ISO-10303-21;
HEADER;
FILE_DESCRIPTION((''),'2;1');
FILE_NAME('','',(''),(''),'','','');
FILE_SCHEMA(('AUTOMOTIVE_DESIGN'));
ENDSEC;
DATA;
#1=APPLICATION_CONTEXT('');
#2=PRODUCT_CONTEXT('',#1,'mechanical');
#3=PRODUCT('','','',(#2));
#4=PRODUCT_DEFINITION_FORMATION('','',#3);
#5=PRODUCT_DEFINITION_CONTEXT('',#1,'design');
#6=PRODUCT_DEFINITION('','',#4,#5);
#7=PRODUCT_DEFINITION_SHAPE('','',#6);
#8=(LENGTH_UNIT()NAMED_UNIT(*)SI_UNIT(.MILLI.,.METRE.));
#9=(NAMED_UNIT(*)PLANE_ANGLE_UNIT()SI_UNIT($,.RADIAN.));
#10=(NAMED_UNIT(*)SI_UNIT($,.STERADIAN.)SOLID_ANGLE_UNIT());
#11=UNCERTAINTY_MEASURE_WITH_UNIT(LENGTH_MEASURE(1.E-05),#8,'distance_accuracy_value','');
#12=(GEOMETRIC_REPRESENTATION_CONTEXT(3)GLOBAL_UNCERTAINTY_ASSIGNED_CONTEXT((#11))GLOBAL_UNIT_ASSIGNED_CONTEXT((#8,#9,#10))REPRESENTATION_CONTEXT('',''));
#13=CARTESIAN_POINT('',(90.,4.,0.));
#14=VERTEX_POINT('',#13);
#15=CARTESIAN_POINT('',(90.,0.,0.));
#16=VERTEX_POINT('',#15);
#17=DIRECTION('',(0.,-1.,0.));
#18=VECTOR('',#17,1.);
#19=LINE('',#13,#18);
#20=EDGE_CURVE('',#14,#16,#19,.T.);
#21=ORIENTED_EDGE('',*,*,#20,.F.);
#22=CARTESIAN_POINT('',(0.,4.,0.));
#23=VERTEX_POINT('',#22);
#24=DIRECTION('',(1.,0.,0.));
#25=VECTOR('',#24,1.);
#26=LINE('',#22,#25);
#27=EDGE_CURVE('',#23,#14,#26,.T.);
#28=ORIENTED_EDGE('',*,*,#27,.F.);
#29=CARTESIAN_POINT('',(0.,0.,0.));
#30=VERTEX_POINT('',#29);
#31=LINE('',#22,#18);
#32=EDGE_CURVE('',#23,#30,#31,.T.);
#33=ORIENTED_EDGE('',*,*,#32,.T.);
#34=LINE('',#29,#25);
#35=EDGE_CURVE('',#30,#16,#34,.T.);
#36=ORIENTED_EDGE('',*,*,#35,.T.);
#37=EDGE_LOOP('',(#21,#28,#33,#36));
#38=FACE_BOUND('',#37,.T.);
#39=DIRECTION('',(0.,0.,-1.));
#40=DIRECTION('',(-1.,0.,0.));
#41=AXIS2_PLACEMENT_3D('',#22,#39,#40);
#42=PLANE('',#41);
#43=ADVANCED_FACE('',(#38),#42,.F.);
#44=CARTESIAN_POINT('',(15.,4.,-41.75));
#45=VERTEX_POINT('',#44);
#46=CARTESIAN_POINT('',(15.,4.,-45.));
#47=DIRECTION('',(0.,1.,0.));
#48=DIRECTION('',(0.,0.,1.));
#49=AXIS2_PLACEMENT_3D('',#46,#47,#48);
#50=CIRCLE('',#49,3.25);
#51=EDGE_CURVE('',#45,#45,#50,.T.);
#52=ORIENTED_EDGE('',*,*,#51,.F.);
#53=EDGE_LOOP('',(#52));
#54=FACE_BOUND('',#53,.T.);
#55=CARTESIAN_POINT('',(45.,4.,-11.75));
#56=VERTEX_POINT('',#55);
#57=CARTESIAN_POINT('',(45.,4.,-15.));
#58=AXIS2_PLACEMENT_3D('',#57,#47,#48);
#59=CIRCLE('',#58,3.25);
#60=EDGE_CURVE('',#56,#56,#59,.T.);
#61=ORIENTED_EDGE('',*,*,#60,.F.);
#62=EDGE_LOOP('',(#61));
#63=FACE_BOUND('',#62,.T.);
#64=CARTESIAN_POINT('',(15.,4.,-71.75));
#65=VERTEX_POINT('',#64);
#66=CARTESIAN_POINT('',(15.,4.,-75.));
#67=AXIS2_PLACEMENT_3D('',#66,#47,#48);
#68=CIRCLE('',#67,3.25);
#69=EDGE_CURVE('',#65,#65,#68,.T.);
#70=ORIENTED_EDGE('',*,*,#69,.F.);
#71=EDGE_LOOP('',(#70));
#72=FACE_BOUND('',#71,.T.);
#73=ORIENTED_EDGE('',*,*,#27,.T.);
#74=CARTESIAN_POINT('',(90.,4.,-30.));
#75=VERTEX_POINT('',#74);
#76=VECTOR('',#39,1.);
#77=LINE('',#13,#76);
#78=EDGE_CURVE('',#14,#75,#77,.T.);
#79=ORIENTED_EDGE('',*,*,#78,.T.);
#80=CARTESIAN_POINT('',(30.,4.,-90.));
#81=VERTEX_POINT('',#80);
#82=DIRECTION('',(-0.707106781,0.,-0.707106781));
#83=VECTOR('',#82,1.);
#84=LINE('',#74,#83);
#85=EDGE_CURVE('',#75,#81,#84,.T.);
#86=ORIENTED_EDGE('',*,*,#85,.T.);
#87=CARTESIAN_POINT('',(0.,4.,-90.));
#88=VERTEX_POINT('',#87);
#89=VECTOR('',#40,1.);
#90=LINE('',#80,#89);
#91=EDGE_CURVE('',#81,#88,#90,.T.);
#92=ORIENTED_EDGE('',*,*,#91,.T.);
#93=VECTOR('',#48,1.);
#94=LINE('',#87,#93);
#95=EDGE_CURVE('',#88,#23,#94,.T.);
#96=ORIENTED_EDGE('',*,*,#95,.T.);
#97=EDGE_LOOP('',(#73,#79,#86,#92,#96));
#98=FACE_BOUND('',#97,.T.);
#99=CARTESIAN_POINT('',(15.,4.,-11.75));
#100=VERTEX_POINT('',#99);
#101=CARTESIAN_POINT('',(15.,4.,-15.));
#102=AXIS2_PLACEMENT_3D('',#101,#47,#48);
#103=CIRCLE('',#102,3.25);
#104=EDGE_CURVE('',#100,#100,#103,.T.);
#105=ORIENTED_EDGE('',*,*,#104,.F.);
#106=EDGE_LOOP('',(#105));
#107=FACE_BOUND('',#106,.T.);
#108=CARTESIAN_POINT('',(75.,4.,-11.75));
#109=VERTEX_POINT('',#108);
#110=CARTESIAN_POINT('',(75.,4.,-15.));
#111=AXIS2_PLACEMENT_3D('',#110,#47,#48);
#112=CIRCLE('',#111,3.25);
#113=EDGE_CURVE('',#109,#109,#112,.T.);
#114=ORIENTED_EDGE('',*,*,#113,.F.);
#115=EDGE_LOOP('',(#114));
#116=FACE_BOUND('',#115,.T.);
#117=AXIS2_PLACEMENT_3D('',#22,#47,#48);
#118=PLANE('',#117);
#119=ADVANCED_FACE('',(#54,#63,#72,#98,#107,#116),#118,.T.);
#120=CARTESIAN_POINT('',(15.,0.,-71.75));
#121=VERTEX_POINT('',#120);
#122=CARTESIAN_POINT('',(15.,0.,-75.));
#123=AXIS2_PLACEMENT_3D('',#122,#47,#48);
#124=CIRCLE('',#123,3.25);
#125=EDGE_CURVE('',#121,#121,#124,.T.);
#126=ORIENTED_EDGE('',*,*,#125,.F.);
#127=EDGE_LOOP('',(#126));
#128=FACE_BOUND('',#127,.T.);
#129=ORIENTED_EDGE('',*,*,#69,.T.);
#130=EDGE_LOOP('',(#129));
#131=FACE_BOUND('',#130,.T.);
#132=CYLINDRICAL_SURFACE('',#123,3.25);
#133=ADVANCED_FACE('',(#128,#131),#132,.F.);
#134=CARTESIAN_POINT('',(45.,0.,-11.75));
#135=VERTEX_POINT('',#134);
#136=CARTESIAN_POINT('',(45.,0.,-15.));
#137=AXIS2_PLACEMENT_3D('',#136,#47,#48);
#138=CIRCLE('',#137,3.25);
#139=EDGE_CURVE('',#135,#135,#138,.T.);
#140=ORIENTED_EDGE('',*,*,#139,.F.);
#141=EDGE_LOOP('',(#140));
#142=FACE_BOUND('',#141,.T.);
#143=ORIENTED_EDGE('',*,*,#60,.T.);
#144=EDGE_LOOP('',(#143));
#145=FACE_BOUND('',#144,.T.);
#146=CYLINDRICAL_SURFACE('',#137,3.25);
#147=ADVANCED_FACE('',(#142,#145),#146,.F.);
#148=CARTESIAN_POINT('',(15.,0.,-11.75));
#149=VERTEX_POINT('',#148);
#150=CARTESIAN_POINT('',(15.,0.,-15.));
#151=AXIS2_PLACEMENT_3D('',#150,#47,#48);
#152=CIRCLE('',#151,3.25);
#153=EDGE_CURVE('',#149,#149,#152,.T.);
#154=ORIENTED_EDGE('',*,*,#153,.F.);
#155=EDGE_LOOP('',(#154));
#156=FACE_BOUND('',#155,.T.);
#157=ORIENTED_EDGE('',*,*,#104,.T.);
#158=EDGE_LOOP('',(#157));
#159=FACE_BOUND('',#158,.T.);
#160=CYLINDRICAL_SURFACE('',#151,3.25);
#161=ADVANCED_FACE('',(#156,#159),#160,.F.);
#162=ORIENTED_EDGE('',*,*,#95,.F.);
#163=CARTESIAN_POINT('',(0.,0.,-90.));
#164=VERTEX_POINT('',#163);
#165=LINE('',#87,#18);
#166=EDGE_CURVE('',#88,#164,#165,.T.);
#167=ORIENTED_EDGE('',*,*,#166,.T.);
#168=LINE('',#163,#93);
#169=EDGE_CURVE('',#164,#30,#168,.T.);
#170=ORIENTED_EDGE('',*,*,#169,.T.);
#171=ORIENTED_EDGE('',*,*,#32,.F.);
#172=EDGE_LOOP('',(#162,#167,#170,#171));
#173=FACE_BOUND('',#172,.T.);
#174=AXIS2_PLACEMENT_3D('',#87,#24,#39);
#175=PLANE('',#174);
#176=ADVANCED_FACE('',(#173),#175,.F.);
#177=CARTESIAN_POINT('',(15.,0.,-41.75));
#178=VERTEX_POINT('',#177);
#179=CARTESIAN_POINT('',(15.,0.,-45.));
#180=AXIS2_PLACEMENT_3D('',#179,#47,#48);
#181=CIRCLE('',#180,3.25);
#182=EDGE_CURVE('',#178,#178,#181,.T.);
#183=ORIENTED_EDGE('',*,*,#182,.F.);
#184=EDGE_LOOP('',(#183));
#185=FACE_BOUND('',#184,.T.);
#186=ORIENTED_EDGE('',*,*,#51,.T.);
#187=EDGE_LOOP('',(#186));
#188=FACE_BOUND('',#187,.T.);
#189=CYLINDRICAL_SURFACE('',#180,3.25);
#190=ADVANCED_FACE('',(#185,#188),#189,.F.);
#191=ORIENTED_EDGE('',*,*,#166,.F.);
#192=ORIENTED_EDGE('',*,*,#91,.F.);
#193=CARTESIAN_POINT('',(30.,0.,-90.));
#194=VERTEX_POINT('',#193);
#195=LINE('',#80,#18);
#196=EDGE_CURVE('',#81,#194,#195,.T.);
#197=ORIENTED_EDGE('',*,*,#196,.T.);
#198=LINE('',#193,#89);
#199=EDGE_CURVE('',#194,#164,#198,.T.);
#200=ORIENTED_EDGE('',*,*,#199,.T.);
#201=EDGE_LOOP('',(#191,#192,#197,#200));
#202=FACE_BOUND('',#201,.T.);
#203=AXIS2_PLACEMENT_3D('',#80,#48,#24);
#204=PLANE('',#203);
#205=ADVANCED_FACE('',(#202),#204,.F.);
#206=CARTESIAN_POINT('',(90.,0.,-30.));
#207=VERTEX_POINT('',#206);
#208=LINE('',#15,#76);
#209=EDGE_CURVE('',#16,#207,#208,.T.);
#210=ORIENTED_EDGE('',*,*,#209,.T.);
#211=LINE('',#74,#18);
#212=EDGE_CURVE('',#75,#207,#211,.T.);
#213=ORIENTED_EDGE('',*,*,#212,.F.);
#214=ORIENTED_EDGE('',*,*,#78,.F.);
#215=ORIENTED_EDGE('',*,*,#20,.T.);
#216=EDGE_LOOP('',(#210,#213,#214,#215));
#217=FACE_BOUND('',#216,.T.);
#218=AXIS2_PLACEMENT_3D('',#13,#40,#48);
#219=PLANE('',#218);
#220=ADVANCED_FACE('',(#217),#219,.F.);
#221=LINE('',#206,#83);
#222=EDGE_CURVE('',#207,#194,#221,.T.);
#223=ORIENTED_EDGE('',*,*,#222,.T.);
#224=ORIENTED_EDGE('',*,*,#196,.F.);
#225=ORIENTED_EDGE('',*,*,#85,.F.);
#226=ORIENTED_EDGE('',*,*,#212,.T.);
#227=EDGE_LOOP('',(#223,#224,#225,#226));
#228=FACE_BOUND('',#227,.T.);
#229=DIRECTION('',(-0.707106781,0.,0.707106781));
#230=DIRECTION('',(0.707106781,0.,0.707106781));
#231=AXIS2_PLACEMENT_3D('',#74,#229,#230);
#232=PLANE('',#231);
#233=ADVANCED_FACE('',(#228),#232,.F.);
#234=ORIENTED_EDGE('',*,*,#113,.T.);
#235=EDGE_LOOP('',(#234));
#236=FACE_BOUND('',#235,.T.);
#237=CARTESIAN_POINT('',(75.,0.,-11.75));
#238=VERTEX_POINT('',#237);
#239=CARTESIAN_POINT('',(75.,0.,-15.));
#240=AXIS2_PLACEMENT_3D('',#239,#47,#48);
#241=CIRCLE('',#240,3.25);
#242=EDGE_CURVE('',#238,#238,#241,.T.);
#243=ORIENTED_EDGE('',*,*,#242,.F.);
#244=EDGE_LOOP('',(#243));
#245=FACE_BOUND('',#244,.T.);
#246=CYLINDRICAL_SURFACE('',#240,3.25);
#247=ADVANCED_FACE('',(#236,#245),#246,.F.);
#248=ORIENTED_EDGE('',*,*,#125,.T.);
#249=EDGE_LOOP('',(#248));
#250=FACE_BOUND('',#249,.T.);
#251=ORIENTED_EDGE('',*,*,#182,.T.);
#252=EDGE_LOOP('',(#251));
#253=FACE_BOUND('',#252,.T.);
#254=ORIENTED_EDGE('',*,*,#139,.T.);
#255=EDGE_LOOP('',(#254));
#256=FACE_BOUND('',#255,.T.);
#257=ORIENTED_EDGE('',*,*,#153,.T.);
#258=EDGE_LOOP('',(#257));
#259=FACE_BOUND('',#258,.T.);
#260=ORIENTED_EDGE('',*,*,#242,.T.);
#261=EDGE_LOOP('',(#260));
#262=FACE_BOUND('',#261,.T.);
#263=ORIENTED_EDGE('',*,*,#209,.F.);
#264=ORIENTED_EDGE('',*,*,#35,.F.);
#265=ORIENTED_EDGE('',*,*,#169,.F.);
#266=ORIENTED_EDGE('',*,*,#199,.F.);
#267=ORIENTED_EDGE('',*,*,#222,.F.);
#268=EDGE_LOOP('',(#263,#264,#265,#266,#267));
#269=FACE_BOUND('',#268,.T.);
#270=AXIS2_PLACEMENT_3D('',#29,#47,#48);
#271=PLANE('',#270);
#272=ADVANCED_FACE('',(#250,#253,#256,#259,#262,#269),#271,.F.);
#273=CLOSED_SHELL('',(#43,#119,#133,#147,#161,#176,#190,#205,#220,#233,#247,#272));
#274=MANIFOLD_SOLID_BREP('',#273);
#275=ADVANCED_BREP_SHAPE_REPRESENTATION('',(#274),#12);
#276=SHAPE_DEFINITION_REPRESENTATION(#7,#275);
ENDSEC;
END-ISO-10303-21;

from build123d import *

# Parameters (mm, degrees)
BOSS_EXTRUDE1_DEPTH = 4
SKETCH2_R           = 3.25
CUT_EXTRUDE1_DEPTH  = 128.342059038


with BuildPart() as part:
    # Sketch1 → Boss-Extrude1 (new body)
    with BuildSketch(Plane(origin=(0, 0, 0), x_dir=(1, 0, 0), z_dir=(0, 1, 0))):
        Polygon((0, 0), (90, 0), (90, 30), (30, 90), (0, 90), align=None)
    extrude(amount=BOSS_EXTRUDE1_DEPTH)

    # Sketch2 → Cut-Extrude1 (cut, through all)
    with BuildSketch(Plane(origin=(0, 4, 0), x_dir=(1, 0, 0), z_dir=(0, 1, 0))):
        with Locations(Location((15, 15, 0), (0, 0, 270))):
            Circle(SKETCH2_R)
        with Locations(Location((45, 15, 0), (0, 0, 270))):
            Circle(SKETCH2_R)
        with Locations(Location((75, 15, 0), (0, 0, 270))):
            Circle(SKETCH2_R)
        with Locations(Location((15, 45, 0), (0, 0, 270))):
            Circle(SKETCH2_R)
        with Locations(Location((15, 75, 0), (0, 0, 270))):
            Circle(SKETCH2_R)
    extrude(amount=-CUT_EXTRUDE1_DEPTH, mode=Mode.SUBTRACT)


solid = part.part
